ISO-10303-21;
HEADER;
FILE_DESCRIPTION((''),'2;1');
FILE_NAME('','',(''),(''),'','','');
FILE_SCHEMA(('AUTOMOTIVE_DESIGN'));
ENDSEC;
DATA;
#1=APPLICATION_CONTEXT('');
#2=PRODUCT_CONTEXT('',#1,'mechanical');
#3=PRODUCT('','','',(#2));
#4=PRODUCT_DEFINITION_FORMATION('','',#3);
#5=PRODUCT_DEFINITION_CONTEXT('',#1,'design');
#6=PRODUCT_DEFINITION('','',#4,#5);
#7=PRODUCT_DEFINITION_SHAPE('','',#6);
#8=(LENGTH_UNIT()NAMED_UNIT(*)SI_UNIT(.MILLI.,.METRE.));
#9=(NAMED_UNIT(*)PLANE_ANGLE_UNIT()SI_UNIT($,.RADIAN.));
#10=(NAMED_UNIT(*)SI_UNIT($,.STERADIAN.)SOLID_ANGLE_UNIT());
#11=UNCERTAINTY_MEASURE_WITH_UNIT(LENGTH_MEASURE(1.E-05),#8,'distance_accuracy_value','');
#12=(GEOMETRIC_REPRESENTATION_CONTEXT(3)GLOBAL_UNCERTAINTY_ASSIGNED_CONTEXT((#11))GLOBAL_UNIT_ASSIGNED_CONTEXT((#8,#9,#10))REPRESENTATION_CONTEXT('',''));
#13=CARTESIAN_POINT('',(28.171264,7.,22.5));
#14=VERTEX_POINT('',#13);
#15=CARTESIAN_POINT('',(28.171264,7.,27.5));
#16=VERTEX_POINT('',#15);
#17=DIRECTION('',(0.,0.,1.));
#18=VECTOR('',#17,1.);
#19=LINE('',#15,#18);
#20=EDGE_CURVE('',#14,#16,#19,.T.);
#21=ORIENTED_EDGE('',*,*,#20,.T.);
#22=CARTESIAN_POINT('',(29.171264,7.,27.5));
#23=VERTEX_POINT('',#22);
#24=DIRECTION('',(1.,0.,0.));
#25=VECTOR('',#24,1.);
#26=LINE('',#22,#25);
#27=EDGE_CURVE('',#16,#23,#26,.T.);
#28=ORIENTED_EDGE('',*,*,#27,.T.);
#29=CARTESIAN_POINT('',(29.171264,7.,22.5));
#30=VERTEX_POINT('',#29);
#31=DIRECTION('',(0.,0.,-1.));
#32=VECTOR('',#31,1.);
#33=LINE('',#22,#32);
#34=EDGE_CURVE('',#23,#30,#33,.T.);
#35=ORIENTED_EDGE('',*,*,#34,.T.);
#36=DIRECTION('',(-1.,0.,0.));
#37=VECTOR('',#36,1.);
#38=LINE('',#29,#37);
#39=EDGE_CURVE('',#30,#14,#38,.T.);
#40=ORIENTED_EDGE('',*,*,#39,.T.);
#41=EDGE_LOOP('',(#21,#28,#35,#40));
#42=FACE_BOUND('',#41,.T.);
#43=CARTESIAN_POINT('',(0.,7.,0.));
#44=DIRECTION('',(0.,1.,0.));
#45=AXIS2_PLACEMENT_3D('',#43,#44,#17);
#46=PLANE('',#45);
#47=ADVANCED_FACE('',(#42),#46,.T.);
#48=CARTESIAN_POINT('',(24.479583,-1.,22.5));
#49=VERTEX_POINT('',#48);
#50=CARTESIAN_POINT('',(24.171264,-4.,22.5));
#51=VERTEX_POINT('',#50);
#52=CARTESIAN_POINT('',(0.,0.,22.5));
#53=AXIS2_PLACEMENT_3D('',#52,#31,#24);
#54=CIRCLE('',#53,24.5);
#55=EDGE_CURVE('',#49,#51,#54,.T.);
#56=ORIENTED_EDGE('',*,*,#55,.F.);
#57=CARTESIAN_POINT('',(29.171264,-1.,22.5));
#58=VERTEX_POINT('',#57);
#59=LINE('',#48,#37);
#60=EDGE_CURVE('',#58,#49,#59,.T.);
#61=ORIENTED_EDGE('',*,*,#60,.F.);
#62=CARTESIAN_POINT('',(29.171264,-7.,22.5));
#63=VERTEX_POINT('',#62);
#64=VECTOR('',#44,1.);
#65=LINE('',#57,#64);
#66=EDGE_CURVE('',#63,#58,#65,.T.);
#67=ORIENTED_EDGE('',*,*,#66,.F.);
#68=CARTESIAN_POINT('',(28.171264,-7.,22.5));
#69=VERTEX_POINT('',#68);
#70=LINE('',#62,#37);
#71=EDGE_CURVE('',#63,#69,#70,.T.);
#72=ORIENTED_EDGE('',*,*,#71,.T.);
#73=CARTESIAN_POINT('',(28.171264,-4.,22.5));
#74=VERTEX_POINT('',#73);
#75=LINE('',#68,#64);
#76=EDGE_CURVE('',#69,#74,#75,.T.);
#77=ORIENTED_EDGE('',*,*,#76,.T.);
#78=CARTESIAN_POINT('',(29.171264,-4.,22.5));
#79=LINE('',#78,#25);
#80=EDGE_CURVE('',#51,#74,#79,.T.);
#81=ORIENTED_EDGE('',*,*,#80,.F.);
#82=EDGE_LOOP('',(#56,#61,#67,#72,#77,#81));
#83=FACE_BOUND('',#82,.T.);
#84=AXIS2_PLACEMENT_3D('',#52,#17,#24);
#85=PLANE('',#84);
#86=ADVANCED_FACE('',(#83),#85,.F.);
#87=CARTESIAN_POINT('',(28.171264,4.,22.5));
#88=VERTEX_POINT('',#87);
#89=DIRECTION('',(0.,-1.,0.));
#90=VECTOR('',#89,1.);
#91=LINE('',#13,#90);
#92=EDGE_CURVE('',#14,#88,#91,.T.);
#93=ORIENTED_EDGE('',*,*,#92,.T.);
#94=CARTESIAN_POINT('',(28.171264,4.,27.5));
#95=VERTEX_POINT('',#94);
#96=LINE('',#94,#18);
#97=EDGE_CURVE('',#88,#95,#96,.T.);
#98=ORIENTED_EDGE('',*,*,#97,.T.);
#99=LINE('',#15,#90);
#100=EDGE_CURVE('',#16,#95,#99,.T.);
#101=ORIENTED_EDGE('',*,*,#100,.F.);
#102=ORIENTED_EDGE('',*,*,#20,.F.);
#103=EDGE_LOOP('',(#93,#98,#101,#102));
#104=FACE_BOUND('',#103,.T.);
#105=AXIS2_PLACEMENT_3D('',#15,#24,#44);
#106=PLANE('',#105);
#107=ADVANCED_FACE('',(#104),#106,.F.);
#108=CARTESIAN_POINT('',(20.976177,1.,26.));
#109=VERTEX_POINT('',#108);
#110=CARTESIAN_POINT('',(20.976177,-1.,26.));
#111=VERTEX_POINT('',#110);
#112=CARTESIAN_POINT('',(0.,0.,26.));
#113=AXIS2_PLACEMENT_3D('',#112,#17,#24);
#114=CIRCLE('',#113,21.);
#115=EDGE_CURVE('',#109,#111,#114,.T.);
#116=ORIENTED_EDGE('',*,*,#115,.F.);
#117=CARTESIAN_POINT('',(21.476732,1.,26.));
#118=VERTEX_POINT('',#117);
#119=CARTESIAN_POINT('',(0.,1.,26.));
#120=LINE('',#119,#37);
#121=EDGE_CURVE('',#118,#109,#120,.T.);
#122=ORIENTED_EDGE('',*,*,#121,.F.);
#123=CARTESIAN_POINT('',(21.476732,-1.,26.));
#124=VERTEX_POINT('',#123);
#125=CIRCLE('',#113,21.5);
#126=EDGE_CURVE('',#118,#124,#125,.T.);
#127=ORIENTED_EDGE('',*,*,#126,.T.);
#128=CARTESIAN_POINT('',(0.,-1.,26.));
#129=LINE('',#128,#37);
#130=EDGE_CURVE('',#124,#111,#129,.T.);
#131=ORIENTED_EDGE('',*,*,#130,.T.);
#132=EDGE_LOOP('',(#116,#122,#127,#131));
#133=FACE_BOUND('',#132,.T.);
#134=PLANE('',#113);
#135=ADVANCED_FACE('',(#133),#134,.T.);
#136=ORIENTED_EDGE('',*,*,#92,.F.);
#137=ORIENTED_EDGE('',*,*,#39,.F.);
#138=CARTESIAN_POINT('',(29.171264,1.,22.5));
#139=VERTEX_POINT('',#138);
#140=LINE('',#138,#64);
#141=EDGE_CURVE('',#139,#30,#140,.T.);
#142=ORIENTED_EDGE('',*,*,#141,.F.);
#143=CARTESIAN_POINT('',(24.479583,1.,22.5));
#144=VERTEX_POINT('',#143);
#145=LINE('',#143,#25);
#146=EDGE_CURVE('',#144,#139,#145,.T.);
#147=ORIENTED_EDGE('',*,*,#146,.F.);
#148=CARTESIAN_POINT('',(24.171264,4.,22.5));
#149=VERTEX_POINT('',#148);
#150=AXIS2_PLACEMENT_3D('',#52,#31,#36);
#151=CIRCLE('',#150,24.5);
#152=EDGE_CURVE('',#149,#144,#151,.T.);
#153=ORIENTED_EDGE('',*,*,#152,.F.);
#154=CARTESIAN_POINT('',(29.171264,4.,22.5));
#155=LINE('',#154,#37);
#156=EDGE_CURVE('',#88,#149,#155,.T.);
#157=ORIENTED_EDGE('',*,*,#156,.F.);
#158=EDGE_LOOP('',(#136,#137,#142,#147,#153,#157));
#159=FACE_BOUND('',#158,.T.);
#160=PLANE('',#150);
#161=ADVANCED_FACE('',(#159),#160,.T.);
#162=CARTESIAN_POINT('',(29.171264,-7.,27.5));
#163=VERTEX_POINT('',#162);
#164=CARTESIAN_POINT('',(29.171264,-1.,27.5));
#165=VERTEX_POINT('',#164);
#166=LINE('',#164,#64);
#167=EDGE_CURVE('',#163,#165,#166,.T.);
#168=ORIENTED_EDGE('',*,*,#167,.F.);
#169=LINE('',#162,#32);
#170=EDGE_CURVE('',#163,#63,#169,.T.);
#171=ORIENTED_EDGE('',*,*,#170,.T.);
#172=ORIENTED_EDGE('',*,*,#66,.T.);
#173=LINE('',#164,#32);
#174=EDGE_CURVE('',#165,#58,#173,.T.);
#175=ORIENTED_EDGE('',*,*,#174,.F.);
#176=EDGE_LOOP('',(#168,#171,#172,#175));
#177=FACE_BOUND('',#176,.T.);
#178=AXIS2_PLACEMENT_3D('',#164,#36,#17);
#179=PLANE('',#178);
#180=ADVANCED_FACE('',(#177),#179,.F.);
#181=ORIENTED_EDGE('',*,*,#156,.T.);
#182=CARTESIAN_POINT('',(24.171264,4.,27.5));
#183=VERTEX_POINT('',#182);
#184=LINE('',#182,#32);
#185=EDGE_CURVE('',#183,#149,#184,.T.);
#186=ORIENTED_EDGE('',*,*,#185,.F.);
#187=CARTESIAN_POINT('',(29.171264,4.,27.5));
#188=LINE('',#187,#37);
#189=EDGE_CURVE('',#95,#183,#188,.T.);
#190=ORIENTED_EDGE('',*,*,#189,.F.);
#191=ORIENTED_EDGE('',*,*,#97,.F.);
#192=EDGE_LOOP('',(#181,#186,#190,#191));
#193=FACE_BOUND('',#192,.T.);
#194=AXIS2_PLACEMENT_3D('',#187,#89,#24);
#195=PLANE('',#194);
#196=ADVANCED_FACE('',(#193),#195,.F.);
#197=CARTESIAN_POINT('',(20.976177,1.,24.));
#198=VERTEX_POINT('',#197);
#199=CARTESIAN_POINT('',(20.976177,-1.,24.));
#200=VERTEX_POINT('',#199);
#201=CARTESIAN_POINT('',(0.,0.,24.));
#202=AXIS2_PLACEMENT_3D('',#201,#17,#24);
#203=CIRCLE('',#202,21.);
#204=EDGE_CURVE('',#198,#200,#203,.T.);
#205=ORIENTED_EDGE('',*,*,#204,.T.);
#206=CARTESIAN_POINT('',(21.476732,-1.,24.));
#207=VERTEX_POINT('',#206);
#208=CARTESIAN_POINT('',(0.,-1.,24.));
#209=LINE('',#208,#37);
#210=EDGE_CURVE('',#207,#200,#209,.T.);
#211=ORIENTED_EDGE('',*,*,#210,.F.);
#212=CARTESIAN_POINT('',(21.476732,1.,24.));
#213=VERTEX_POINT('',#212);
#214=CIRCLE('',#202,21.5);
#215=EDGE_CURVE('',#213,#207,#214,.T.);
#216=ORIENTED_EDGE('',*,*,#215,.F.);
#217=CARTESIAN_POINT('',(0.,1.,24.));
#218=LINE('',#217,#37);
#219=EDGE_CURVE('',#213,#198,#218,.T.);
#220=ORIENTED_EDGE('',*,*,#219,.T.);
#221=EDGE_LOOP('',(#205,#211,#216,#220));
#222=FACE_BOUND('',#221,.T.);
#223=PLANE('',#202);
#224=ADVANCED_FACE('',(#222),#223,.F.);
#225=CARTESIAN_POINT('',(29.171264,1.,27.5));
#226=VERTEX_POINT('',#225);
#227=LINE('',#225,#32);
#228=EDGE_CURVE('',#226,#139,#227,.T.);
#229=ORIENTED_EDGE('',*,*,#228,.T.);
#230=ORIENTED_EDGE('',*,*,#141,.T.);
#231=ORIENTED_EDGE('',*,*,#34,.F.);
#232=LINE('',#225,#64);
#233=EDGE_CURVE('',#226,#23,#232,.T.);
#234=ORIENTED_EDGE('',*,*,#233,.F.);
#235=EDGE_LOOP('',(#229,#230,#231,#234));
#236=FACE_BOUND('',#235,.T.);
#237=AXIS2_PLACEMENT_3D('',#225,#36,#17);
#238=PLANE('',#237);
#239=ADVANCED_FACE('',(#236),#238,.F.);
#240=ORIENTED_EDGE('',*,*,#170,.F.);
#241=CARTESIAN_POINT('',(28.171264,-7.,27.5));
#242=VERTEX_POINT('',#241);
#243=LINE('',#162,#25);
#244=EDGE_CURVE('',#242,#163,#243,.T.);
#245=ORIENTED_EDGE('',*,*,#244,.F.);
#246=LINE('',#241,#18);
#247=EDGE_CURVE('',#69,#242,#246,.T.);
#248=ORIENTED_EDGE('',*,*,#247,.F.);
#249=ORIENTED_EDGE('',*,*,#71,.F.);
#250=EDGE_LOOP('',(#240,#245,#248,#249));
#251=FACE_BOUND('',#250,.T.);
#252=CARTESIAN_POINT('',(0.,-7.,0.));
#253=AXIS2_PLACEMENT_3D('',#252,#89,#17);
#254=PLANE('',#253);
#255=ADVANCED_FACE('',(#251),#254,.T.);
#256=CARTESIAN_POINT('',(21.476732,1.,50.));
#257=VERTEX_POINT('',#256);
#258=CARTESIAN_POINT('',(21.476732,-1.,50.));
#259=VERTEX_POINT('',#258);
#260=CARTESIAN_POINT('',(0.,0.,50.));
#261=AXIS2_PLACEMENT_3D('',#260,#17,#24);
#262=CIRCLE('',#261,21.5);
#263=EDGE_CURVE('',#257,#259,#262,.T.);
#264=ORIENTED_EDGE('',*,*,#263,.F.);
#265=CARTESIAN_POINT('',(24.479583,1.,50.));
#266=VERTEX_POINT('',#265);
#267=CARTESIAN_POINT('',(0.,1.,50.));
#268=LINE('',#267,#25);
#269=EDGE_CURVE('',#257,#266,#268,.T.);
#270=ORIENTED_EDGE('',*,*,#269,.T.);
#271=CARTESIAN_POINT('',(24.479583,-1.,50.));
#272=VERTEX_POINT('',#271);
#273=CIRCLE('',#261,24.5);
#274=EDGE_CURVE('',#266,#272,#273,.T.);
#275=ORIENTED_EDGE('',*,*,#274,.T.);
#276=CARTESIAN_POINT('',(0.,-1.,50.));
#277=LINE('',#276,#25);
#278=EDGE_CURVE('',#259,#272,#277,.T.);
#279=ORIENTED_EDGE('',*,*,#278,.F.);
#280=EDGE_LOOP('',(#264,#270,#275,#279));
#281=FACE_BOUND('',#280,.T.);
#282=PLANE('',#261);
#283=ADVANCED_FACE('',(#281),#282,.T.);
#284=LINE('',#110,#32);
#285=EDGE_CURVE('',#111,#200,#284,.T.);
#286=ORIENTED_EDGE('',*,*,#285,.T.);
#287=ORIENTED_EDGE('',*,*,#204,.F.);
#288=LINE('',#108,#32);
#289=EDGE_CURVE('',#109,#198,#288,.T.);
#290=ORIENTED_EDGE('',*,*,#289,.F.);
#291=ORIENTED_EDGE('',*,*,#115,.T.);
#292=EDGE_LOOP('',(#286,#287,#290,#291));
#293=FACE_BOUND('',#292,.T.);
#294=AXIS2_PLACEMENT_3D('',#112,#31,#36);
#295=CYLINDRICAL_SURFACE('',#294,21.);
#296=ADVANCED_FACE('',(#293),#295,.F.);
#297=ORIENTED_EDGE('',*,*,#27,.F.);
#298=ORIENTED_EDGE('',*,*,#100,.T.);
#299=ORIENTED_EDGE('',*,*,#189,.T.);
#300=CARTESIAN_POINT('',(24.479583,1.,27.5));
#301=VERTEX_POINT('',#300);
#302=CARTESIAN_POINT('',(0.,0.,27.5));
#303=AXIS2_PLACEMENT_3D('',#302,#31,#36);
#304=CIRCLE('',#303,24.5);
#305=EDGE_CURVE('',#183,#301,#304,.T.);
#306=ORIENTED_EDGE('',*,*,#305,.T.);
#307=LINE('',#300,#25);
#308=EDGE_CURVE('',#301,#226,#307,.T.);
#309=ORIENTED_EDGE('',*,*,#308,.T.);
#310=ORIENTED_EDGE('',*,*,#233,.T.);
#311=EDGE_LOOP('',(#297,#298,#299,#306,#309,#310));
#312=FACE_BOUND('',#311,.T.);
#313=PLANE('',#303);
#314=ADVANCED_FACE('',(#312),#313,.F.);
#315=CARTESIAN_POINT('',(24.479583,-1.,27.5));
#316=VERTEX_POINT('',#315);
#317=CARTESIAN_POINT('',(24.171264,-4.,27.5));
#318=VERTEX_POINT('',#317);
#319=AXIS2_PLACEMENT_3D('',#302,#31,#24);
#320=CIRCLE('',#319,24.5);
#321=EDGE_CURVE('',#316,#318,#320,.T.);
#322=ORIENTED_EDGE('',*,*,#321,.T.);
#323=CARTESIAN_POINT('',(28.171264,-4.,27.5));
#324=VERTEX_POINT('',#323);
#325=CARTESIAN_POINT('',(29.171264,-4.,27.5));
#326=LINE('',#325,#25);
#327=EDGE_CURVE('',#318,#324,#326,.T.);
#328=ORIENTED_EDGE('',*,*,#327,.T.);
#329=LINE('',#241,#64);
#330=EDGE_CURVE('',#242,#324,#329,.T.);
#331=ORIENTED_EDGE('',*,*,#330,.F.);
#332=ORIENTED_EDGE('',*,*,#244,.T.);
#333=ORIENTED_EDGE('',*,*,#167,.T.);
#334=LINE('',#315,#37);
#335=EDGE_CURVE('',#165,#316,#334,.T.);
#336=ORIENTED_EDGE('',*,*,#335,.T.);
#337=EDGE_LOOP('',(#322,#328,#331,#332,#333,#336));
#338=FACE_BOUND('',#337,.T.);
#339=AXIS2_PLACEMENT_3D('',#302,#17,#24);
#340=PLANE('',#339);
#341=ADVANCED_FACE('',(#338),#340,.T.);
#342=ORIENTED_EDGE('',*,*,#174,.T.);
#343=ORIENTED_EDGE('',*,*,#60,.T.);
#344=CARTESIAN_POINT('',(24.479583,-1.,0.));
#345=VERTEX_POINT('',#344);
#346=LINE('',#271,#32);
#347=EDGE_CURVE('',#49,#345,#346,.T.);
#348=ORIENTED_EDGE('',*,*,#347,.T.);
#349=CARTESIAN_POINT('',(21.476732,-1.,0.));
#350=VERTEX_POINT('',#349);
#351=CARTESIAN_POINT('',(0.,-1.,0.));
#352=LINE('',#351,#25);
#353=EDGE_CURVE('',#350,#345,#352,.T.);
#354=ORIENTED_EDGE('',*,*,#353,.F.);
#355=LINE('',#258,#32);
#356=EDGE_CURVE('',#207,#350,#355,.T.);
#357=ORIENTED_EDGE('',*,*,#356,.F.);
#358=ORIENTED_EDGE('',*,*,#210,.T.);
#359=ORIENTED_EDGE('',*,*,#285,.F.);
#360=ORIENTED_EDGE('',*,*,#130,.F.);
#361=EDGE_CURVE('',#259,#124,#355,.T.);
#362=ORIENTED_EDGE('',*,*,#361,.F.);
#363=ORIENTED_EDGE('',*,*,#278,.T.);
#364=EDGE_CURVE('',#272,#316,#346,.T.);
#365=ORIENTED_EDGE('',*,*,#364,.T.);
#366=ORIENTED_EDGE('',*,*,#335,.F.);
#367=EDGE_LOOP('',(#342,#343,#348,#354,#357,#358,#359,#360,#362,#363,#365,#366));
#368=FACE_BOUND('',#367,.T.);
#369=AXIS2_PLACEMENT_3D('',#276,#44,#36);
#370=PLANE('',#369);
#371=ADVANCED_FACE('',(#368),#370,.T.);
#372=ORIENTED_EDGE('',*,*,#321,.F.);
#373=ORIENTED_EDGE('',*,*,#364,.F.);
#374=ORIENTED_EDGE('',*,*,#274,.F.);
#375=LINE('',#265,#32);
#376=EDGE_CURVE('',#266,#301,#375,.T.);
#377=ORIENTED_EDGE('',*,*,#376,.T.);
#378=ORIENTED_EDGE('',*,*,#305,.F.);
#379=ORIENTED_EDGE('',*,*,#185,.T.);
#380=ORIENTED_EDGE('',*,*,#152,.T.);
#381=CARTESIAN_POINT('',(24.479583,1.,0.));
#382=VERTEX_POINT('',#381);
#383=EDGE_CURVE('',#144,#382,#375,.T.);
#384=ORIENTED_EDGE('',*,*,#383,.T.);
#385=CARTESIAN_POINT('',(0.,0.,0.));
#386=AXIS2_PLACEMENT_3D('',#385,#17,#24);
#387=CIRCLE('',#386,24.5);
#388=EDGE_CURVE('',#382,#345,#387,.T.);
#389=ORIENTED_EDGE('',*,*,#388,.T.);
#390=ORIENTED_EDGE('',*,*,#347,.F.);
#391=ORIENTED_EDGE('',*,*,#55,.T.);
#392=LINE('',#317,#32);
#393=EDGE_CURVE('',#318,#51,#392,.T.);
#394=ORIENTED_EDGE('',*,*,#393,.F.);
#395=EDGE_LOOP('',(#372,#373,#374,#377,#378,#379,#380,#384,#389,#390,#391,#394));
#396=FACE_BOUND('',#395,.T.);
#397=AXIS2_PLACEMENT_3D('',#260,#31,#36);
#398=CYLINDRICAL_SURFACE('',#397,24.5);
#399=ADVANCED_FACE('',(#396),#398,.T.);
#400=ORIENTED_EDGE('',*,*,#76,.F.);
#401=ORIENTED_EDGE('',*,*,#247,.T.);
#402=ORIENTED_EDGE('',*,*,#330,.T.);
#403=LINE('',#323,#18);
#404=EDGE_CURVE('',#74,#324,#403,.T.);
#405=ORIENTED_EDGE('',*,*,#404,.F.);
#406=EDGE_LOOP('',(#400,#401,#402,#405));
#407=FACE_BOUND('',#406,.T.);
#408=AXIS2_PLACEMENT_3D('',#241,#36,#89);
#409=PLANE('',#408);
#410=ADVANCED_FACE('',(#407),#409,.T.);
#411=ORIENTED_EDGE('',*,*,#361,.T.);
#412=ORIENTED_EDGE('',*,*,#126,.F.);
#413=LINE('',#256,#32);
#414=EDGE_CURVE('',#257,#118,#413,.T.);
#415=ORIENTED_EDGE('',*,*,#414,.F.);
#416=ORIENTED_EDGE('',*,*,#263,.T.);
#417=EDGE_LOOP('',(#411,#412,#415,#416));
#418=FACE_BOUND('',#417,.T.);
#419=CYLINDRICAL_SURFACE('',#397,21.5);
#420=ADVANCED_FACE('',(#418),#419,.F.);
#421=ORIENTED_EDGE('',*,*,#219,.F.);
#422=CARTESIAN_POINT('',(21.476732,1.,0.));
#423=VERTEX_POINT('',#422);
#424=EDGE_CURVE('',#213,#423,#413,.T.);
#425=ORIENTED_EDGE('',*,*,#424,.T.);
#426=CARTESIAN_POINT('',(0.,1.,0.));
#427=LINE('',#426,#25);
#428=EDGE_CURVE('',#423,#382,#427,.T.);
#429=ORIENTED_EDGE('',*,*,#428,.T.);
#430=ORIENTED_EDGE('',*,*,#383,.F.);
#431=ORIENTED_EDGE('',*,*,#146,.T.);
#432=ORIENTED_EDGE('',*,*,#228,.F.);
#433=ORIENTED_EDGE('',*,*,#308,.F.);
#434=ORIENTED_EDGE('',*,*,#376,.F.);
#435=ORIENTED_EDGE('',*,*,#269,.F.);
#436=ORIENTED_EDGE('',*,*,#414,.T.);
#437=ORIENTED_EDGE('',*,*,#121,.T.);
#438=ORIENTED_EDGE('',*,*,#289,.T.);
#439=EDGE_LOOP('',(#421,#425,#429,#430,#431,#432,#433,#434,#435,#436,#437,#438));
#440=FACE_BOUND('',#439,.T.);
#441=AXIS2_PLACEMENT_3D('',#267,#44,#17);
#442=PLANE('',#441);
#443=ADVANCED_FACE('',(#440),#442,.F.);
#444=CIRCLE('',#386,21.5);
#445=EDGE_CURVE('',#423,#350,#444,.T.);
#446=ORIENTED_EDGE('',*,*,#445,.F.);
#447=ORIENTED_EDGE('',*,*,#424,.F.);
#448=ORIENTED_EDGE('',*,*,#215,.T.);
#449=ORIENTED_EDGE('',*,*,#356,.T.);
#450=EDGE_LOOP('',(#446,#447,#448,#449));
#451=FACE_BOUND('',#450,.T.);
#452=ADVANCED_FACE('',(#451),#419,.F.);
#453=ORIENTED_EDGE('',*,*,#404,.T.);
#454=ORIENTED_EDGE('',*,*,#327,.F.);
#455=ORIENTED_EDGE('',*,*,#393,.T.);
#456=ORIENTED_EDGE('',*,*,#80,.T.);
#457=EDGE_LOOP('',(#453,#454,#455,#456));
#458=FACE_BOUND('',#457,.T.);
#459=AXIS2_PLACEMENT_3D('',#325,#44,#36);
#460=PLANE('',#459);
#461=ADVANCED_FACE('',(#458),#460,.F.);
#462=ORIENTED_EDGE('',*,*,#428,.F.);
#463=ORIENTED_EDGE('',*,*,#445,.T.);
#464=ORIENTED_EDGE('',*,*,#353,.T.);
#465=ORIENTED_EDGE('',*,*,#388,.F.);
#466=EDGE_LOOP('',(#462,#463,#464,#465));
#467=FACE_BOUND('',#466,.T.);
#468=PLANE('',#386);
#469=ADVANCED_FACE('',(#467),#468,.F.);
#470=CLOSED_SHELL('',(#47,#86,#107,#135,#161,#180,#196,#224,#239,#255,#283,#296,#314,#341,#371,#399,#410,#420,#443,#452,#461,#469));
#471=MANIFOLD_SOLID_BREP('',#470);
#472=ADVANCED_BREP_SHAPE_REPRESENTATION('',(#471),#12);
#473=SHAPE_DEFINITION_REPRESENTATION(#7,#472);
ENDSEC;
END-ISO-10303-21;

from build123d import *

# Parameters (mm, degrees)
BOSS_EXTRUDE1_DEPTH = 50
BOSS_EXTRUDE2_DEPTH = 2.5
BOSS_EXTRUDE3_DEPTH = 1
SKETCH4_W           = 1
SKETCH4_H           = 5
BOSS_EXTRUDE4_DEPTH = 3


with BuildPart() as part:
    # Sketch1 → Boss-Extrude1 (new body)
    with BuildSketch(Plane.XY):
        with BuildLine():
            Line((21.476731595, 1), (24.47958333, 1))
            ThreePointArc((24.47958333, 1), (-24.5, 0), (24.47958333, -1))
            Line((24.47958333, -1), (21.476731595, -1))
            ThreePointArc((21.476731595, -1), (-21.5, 0), (21.476731595, 1))
        make_face()
    extrude(amount=BOSS_EXTRUDE1_DEPTH)

    # Sketch2 → Boss-Extrude2 (add, symmetric)
    with BuildSketch(Plane.XY.offset(25)):
        with BuildLine():
            Line((24.47958333, 1), (29.171263931, 1))
            Line((29.171263931, 1), (29.171263931, 4))
            Line((29.171263931, 4), (24.171263931, 4))
            ThreePointArc((24.171263931, 4), (24.37162766, 2.504748533), (24.47958333, 1))
        make_face()
        with BuildLine():
            Line((29.171263931, -4), (24.171263931, -4))
            ThreePointArc((24.171263931, -4), (24.37162766, -2.504748533), (24.47958333, -1))
            Line((24.47958333, -1), (29.171263931, -1))
            Line((29.171263931, -1), (29.171263931, -4))
        make_face()
    extrude(amount=BOSS_EXTRUDE2_DEPTH, both=True)

    # Sketch3 → Boss-Extrude3 (add, symmetric)
    with BuildSketch(Plane.XY.offset(25)):
        with BuildLine():
            Line((20.976176963, 1), (21.476731595, 1))
            ThreePointArc((21.476731595, 1), (-21.5, 0), (21.476731595, -1))
            Line((21.476731595, -1), (20.976176963, -1))
            ThreePointArc((20.976176963, -1), (-21, 0), (20.976176963, 1))
        make_face()
    extrude(amount=BOSS_EXTRUDE3_DEPTH, both=True)

    # Sketch4 → Boss-Extrude4 (add)
    with BuildSketch(Plane(origin=(0, 4, 0), x_dir=(1, 0, 0), z_dir=(0, 1, 0))):
        with Locations((28.671263931, -25)):
            Rectangle(SKETCH4_W, SKETCH4_H)
    boss_extrude4 = extrude(amount=BOSS_EXTRUDE4_DEPTH)

    # Mirror1: Boss-Extrude4 across plane
    add(boss_extrude4.mirror(Plane.ZX))


solid = part.part
